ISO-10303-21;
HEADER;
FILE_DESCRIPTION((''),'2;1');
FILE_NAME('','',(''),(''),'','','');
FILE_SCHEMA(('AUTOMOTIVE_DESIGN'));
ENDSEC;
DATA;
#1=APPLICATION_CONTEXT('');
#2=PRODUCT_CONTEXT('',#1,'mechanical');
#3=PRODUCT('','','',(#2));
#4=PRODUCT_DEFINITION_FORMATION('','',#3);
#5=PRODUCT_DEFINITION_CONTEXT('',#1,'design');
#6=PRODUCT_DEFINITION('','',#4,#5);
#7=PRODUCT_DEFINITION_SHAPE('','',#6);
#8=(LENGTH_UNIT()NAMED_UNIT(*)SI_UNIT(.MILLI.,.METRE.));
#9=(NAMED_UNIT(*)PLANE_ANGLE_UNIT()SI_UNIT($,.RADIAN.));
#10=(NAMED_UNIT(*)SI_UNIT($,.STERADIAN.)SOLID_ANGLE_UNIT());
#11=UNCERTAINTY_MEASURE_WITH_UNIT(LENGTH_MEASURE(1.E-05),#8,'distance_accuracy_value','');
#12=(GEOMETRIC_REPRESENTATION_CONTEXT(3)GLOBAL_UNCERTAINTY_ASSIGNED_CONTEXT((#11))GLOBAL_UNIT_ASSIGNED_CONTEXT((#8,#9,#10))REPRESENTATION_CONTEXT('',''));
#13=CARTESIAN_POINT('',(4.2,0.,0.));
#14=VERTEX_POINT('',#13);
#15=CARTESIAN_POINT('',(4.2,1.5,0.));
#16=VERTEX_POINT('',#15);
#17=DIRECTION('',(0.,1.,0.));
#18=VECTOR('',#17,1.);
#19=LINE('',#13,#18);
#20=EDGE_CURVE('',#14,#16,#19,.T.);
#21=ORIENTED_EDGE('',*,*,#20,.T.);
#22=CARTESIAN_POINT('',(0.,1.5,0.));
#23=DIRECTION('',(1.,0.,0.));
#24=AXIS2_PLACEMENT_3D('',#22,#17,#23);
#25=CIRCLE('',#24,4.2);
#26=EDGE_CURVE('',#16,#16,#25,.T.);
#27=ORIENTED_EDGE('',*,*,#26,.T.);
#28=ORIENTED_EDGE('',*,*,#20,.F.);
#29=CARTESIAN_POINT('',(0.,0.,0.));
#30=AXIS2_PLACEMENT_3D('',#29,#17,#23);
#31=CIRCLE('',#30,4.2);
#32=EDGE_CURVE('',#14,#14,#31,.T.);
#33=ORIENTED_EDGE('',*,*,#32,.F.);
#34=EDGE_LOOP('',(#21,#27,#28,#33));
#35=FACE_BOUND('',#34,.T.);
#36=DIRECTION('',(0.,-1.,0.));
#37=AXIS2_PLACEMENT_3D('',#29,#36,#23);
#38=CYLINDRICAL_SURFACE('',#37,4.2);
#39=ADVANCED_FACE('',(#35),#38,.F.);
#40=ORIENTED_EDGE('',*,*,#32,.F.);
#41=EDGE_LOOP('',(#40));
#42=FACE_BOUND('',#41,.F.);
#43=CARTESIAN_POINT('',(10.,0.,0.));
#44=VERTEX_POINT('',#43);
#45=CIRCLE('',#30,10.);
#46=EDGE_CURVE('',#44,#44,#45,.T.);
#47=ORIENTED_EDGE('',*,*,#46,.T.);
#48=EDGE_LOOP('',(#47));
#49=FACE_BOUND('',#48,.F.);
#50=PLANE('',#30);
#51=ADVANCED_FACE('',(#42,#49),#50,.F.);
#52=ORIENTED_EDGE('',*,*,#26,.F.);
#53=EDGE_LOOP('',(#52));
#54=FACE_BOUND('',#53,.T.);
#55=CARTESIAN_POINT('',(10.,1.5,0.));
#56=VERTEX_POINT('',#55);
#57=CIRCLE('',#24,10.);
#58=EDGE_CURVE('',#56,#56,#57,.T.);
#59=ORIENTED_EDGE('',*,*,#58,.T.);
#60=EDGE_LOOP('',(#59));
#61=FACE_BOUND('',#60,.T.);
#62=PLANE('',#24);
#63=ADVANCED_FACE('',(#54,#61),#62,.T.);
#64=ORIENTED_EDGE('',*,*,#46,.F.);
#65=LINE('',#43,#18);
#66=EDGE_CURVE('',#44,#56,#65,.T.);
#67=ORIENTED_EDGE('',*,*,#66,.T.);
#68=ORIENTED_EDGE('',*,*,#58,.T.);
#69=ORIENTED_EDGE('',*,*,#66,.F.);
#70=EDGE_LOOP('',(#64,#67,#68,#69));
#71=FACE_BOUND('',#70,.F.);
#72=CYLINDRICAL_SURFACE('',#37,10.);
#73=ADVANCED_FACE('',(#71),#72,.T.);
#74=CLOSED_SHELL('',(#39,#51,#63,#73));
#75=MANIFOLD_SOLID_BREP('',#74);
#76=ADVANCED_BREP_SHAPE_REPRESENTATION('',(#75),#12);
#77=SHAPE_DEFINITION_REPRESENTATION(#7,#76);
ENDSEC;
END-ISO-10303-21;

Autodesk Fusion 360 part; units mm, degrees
sketch "Sketch1" plane through (0, 0, 0) normal (0, 1, 0) x (1, 0, 0)
  circle A0 centre (0, 0) radius 4.2
  circle A1 centre (0, 0) radius 10
  dimension "d1" = 8.4
  dimension "d2" = 20
extrude "Extrude1" add sketch "Sketch1" along normal blind 1.5 makes body 1
copy_body "Body->Comp1" bodies 1 removing the originals makes body 2 in component "M8x20 washer"
component "M8x20 washer" placed x (1, 0, 0) y (0, 1, 0) z (0, 0, 1) at (0, 0, 0)
